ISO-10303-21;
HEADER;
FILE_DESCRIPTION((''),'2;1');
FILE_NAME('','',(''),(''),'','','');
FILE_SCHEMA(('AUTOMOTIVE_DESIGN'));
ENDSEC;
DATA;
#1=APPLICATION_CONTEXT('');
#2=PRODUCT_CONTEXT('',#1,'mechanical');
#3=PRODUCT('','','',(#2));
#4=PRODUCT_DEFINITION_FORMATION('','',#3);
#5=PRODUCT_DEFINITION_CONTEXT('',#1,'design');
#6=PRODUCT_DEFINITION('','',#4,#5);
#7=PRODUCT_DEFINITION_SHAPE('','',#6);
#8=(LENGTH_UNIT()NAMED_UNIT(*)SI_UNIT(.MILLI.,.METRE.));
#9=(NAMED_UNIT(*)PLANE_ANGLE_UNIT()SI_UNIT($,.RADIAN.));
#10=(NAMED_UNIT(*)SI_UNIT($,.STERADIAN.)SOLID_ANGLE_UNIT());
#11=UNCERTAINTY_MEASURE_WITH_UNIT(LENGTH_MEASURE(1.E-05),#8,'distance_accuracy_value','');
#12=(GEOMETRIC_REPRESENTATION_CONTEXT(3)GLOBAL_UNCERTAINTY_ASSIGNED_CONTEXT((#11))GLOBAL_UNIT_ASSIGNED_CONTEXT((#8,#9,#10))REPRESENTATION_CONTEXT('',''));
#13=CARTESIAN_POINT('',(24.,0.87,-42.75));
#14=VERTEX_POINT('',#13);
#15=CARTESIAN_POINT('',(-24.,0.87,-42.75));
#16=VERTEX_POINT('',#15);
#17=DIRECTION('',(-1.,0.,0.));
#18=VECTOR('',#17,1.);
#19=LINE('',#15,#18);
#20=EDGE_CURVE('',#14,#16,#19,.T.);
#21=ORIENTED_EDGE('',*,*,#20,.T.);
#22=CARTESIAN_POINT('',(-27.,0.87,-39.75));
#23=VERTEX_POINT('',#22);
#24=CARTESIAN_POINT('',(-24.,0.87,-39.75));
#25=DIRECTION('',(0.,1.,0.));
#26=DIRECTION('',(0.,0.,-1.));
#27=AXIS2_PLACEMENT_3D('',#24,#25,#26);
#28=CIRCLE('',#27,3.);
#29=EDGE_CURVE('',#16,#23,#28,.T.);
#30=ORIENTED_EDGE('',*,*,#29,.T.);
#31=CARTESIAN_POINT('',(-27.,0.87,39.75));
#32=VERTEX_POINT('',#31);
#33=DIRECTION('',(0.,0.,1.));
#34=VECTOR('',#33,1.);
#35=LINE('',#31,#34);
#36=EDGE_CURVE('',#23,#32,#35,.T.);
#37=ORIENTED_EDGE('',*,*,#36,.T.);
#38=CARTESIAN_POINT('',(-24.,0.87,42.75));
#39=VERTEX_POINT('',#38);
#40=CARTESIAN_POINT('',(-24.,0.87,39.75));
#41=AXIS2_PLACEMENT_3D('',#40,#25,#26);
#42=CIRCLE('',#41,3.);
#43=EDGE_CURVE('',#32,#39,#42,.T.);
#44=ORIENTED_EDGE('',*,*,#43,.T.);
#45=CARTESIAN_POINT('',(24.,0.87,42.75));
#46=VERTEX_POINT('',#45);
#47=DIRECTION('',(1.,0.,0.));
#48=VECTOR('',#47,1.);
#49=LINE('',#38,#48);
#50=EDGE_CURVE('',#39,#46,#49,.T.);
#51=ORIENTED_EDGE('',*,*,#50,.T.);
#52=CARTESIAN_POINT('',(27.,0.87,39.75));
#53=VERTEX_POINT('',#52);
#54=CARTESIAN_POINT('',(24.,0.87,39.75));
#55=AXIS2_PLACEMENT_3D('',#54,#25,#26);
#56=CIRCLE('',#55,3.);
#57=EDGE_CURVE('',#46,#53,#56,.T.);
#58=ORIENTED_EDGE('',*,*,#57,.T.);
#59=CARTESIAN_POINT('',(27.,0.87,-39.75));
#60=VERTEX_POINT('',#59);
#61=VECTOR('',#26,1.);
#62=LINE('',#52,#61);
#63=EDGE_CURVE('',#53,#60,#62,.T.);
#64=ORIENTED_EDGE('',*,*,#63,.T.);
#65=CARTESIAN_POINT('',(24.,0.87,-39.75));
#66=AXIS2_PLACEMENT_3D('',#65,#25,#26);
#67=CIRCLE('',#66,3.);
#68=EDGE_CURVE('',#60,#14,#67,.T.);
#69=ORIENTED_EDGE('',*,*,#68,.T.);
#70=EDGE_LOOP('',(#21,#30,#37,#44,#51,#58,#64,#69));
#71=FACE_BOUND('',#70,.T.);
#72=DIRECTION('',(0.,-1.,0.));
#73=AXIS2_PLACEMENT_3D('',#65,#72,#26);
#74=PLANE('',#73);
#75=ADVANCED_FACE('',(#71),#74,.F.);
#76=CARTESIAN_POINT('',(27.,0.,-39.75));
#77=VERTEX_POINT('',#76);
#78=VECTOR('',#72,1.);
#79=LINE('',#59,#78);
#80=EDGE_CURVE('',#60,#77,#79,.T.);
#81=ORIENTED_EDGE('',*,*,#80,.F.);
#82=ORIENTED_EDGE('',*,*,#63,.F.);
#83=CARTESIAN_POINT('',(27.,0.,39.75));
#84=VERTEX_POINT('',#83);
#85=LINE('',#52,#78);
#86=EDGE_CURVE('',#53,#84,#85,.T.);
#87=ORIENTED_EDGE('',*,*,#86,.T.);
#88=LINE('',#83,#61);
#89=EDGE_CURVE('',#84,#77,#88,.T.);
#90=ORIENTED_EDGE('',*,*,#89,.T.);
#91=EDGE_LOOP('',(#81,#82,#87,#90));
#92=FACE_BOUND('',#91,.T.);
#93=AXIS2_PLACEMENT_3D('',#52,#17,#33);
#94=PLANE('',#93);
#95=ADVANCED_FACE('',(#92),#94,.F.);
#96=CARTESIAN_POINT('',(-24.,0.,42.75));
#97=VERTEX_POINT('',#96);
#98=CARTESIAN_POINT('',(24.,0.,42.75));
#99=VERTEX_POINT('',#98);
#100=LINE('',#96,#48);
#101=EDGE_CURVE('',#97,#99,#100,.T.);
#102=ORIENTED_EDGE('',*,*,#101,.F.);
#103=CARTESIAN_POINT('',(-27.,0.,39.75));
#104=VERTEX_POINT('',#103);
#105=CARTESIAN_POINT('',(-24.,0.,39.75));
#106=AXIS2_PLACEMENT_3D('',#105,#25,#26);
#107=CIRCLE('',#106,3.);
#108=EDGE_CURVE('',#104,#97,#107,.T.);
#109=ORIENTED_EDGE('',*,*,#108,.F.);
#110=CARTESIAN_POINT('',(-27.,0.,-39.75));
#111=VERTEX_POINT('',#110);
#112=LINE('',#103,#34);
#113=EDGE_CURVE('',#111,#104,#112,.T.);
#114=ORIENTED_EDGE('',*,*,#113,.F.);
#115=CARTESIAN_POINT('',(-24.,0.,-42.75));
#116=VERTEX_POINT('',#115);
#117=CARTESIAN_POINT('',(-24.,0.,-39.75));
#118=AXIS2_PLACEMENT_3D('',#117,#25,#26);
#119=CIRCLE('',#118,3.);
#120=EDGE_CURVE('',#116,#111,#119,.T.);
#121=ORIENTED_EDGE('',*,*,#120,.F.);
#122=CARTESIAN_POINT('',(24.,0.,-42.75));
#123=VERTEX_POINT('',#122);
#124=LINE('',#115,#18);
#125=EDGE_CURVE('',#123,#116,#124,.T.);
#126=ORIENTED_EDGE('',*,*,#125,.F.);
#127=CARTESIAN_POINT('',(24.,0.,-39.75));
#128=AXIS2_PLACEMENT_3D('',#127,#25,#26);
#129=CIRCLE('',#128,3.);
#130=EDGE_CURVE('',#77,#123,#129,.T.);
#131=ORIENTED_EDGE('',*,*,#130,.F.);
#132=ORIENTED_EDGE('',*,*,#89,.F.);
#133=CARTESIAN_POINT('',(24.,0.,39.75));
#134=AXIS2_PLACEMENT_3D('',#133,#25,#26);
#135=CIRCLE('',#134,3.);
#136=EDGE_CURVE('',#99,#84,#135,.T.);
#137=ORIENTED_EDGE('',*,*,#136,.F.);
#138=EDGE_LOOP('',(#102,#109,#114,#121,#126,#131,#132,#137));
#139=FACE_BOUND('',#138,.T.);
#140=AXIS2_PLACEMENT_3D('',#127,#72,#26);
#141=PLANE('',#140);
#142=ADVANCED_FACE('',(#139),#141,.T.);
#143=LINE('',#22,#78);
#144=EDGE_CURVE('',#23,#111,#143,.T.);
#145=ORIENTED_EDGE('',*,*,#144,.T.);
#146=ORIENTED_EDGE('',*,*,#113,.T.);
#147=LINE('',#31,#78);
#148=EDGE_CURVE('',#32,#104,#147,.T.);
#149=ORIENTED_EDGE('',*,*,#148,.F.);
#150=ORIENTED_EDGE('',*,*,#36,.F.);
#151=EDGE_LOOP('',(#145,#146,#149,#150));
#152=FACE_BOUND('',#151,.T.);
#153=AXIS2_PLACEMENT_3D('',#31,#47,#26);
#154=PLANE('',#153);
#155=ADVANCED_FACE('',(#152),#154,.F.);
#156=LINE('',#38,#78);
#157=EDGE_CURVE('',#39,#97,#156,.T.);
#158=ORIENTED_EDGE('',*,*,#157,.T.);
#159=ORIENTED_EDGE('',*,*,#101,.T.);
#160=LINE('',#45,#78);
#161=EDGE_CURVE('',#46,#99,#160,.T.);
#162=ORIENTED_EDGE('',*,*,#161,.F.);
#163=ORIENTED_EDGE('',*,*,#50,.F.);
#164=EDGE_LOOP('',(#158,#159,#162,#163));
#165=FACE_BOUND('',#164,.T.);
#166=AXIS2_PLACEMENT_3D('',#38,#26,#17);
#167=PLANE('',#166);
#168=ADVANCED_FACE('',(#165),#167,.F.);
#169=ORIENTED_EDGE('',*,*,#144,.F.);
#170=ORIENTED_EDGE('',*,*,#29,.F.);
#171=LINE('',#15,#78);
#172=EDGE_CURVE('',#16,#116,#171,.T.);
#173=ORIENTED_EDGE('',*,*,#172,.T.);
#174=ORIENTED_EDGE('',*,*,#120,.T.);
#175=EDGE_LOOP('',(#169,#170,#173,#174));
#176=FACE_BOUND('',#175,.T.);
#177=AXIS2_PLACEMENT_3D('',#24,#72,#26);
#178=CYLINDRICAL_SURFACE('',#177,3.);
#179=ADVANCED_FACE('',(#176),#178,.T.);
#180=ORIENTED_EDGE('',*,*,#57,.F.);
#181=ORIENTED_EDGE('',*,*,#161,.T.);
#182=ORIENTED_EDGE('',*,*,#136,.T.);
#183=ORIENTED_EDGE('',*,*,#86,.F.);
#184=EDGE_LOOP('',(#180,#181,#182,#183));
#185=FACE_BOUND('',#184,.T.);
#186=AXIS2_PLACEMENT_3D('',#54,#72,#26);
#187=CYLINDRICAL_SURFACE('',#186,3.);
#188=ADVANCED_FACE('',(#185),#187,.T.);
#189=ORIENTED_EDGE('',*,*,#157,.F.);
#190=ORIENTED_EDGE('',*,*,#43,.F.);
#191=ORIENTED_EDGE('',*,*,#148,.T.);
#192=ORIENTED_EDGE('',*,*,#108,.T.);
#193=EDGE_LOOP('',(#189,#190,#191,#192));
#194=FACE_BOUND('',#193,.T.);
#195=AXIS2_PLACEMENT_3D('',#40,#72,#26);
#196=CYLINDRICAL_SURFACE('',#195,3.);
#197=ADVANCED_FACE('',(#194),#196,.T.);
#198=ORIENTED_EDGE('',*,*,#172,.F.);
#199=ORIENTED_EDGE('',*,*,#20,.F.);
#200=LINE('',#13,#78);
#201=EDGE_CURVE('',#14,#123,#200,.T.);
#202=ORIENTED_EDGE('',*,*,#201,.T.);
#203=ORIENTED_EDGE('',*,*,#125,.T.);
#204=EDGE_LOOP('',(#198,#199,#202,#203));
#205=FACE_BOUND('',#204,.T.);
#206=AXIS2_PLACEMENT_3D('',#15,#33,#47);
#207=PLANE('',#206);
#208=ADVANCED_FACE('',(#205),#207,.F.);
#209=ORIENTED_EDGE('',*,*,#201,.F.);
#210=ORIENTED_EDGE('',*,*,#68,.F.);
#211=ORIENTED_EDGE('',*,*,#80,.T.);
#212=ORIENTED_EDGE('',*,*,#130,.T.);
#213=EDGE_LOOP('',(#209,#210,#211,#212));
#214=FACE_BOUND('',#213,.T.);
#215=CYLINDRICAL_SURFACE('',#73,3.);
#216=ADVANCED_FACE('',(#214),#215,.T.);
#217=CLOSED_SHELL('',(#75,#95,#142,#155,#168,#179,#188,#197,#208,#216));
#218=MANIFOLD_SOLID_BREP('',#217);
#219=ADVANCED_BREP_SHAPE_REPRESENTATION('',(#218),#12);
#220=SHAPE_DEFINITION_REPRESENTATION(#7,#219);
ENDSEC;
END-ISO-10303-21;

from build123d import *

# Parameters (mm, degrees)
BOSS_EXTRUDE1_DEPTH = 0.87


with BuildPart() as part:
    # Sketch1 → Boss-Extrude1 (new body)
    with BuildSketch(Plane(origin=(0, 0, 0), x_dir=(1, 0, 0), z_dir=(0, 1, 0))):
        with BuildLine():
            Line((-24, -42.75), (24, -42.75))
            ThreePointArc((24, -42.75), (26.121320344, -41.871320344), (27, -39.75))
            Line((27, -39.75), (27, 39.75))
            ThreePointArc((27, 39.75), (26.121320344, 41.871320344), (24, 42.75))
            Line((24, 42.75), (-24, 42.75))
            ThreePointArc((-24, 42.75), (-26.121320344, 41.871320344), (-27, 39.75))
            Line((-27, 39.75), (-27, -39.75))
            ThreePointArc((-27, -39.75), (-26.121320344, -41.871320344), (-24, -42.75))
        make_face()
    extrude(amount=BOSS_EXTRUDE1_DEPTH)


solid = part.part
